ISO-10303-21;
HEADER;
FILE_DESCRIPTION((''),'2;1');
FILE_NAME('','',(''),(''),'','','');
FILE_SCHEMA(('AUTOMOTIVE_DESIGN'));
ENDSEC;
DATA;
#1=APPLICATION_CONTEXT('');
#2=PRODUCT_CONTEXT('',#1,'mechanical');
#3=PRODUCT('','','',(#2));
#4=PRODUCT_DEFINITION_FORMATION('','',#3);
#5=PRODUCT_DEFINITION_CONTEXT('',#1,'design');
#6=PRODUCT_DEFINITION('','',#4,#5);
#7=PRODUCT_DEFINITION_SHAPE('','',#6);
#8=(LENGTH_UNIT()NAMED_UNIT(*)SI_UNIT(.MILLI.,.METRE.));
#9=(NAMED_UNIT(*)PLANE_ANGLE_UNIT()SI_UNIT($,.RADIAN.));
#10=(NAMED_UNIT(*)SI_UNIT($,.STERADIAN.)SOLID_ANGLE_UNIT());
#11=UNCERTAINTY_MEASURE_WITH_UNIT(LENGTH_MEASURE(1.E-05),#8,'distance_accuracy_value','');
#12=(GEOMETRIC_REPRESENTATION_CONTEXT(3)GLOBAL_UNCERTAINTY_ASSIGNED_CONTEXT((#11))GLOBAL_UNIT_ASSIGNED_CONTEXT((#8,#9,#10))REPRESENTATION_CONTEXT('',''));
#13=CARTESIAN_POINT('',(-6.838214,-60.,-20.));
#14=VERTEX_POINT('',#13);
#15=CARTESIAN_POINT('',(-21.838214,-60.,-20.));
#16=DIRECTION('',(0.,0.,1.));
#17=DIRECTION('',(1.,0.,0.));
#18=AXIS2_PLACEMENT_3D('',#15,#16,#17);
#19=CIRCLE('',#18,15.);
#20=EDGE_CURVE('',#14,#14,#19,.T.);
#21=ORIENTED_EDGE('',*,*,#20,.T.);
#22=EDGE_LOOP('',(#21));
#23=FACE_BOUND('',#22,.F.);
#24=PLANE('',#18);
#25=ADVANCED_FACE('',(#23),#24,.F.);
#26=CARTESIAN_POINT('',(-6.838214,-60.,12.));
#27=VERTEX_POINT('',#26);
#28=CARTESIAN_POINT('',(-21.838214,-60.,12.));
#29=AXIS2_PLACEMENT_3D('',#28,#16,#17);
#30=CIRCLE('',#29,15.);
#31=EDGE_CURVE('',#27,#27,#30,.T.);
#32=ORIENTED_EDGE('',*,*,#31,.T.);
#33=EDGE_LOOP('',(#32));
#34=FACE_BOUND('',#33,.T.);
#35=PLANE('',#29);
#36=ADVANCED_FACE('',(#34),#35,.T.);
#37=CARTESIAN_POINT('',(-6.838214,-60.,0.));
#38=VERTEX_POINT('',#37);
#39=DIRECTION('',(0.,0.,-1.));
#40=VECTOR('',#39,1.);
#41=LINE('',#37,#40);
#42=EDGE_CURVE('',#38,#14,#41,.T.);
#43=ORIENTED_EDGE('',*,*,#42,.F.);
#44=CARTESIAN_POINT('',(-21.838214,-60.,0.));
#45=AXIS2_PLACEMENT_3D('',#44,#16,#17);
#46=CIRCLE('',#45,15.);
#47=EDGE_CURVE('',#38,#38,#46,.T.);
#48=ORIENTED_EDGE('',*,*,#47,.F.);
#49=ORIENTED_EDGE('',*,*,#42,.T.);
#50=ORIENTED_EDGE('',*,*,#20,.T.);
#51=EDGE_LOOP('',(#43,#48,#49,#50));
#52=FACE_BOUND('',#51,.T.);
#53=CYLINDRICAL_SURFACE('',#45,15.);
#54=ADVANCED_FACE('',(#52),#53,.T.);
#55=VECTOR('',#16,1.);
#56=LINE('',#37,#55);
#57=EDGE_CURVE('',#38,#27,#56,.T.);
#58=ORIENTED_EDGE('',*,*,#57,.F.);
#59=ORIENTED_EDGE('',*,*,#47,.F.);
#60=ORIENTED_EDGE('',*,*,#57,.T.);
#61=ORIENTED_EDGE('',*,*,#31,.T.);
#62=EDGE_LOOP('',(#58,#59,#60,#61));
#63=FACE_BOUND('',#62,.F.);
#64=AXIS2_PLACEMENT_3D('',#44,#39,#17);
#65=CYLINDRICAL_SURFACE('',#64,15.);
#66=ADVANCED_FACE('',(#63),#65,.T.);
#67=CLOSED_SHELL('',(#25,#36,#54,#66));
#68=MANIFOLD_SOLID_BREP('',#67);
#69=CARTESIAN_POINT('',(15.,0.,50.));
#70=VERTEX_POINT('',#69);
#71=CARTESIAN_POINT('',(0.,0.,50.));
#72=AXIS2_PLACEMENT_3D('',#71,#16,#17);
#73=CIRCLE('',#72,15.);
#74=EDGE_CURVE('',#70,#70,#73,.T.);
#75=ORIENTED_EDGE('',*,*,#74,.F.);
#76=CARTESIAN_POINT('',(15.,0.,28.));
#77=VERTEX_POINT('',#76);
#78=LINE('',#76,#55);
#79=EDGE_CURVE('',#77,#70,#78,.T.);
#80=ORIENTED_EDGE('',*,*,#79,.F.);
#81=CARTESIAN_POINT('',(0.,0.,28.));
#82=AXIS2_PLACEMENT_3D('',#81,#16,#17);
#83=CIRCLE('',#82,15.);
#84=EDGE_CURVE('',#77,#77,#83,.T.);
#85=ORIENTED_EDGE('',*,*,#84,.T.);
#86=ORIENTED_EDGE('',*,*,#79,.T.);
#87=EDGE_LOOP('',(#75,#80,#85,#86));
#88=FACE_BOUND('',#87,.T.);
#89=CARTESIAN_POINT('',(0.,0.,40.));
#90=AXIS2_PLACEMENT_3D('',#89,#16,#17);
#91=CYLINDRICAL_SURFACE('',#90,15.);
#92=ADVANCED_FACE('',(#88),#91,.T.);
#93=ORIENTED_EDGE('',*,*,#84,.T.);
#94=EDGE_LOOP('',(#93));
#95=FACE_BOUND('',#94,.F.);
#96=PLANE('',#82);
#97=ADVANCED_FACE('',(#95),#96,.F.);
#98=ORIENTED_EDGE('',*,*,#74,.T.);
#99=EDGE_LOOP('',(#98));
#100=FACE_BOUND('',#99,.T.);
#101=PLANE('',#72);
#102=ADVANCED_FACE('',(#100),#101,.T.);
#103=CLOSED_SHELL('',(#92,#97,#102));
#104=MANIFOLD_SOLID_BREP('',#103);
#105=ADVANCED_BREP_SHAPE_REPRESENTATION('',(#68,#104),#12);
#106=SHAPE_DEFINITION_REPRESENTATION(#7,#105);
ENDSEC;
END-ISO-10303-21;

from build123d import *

# Parameters (mm, degrees)
F3_R          = 15
F4_DEPTH      = 10
F4_DEPTH_BACK = 12
F6_R          = 15
F7_DEPTH      = 20
F7_DEPTH_BACK = 12


with BuildPart() as f4:
    # F3 (on offset) → F4 (new body, two sides)
    with BuildSketch(Plane.XY.offset(40)) as f4_sk:
        Circle(F3_R)
    extrude(amount=F4_DEPTH)
    extrude(f4_sk.sketch, amount=-F4_DEPTH_BACK)


with BuildPart() as f7:
    # F6 (on Top) → F7 (new body, two sides)
    with BuildSketch(Plane.XY) as f7_sk:
        with Locations((-21.838214056, -60)):
            Circle(F6_R)
    extrude(amount=-F7_DEPTH)
    extrude(f7_sk.sketch, amount=F7_DEPTH_BACK)


solid = Compound([f4.part, f7.part])
